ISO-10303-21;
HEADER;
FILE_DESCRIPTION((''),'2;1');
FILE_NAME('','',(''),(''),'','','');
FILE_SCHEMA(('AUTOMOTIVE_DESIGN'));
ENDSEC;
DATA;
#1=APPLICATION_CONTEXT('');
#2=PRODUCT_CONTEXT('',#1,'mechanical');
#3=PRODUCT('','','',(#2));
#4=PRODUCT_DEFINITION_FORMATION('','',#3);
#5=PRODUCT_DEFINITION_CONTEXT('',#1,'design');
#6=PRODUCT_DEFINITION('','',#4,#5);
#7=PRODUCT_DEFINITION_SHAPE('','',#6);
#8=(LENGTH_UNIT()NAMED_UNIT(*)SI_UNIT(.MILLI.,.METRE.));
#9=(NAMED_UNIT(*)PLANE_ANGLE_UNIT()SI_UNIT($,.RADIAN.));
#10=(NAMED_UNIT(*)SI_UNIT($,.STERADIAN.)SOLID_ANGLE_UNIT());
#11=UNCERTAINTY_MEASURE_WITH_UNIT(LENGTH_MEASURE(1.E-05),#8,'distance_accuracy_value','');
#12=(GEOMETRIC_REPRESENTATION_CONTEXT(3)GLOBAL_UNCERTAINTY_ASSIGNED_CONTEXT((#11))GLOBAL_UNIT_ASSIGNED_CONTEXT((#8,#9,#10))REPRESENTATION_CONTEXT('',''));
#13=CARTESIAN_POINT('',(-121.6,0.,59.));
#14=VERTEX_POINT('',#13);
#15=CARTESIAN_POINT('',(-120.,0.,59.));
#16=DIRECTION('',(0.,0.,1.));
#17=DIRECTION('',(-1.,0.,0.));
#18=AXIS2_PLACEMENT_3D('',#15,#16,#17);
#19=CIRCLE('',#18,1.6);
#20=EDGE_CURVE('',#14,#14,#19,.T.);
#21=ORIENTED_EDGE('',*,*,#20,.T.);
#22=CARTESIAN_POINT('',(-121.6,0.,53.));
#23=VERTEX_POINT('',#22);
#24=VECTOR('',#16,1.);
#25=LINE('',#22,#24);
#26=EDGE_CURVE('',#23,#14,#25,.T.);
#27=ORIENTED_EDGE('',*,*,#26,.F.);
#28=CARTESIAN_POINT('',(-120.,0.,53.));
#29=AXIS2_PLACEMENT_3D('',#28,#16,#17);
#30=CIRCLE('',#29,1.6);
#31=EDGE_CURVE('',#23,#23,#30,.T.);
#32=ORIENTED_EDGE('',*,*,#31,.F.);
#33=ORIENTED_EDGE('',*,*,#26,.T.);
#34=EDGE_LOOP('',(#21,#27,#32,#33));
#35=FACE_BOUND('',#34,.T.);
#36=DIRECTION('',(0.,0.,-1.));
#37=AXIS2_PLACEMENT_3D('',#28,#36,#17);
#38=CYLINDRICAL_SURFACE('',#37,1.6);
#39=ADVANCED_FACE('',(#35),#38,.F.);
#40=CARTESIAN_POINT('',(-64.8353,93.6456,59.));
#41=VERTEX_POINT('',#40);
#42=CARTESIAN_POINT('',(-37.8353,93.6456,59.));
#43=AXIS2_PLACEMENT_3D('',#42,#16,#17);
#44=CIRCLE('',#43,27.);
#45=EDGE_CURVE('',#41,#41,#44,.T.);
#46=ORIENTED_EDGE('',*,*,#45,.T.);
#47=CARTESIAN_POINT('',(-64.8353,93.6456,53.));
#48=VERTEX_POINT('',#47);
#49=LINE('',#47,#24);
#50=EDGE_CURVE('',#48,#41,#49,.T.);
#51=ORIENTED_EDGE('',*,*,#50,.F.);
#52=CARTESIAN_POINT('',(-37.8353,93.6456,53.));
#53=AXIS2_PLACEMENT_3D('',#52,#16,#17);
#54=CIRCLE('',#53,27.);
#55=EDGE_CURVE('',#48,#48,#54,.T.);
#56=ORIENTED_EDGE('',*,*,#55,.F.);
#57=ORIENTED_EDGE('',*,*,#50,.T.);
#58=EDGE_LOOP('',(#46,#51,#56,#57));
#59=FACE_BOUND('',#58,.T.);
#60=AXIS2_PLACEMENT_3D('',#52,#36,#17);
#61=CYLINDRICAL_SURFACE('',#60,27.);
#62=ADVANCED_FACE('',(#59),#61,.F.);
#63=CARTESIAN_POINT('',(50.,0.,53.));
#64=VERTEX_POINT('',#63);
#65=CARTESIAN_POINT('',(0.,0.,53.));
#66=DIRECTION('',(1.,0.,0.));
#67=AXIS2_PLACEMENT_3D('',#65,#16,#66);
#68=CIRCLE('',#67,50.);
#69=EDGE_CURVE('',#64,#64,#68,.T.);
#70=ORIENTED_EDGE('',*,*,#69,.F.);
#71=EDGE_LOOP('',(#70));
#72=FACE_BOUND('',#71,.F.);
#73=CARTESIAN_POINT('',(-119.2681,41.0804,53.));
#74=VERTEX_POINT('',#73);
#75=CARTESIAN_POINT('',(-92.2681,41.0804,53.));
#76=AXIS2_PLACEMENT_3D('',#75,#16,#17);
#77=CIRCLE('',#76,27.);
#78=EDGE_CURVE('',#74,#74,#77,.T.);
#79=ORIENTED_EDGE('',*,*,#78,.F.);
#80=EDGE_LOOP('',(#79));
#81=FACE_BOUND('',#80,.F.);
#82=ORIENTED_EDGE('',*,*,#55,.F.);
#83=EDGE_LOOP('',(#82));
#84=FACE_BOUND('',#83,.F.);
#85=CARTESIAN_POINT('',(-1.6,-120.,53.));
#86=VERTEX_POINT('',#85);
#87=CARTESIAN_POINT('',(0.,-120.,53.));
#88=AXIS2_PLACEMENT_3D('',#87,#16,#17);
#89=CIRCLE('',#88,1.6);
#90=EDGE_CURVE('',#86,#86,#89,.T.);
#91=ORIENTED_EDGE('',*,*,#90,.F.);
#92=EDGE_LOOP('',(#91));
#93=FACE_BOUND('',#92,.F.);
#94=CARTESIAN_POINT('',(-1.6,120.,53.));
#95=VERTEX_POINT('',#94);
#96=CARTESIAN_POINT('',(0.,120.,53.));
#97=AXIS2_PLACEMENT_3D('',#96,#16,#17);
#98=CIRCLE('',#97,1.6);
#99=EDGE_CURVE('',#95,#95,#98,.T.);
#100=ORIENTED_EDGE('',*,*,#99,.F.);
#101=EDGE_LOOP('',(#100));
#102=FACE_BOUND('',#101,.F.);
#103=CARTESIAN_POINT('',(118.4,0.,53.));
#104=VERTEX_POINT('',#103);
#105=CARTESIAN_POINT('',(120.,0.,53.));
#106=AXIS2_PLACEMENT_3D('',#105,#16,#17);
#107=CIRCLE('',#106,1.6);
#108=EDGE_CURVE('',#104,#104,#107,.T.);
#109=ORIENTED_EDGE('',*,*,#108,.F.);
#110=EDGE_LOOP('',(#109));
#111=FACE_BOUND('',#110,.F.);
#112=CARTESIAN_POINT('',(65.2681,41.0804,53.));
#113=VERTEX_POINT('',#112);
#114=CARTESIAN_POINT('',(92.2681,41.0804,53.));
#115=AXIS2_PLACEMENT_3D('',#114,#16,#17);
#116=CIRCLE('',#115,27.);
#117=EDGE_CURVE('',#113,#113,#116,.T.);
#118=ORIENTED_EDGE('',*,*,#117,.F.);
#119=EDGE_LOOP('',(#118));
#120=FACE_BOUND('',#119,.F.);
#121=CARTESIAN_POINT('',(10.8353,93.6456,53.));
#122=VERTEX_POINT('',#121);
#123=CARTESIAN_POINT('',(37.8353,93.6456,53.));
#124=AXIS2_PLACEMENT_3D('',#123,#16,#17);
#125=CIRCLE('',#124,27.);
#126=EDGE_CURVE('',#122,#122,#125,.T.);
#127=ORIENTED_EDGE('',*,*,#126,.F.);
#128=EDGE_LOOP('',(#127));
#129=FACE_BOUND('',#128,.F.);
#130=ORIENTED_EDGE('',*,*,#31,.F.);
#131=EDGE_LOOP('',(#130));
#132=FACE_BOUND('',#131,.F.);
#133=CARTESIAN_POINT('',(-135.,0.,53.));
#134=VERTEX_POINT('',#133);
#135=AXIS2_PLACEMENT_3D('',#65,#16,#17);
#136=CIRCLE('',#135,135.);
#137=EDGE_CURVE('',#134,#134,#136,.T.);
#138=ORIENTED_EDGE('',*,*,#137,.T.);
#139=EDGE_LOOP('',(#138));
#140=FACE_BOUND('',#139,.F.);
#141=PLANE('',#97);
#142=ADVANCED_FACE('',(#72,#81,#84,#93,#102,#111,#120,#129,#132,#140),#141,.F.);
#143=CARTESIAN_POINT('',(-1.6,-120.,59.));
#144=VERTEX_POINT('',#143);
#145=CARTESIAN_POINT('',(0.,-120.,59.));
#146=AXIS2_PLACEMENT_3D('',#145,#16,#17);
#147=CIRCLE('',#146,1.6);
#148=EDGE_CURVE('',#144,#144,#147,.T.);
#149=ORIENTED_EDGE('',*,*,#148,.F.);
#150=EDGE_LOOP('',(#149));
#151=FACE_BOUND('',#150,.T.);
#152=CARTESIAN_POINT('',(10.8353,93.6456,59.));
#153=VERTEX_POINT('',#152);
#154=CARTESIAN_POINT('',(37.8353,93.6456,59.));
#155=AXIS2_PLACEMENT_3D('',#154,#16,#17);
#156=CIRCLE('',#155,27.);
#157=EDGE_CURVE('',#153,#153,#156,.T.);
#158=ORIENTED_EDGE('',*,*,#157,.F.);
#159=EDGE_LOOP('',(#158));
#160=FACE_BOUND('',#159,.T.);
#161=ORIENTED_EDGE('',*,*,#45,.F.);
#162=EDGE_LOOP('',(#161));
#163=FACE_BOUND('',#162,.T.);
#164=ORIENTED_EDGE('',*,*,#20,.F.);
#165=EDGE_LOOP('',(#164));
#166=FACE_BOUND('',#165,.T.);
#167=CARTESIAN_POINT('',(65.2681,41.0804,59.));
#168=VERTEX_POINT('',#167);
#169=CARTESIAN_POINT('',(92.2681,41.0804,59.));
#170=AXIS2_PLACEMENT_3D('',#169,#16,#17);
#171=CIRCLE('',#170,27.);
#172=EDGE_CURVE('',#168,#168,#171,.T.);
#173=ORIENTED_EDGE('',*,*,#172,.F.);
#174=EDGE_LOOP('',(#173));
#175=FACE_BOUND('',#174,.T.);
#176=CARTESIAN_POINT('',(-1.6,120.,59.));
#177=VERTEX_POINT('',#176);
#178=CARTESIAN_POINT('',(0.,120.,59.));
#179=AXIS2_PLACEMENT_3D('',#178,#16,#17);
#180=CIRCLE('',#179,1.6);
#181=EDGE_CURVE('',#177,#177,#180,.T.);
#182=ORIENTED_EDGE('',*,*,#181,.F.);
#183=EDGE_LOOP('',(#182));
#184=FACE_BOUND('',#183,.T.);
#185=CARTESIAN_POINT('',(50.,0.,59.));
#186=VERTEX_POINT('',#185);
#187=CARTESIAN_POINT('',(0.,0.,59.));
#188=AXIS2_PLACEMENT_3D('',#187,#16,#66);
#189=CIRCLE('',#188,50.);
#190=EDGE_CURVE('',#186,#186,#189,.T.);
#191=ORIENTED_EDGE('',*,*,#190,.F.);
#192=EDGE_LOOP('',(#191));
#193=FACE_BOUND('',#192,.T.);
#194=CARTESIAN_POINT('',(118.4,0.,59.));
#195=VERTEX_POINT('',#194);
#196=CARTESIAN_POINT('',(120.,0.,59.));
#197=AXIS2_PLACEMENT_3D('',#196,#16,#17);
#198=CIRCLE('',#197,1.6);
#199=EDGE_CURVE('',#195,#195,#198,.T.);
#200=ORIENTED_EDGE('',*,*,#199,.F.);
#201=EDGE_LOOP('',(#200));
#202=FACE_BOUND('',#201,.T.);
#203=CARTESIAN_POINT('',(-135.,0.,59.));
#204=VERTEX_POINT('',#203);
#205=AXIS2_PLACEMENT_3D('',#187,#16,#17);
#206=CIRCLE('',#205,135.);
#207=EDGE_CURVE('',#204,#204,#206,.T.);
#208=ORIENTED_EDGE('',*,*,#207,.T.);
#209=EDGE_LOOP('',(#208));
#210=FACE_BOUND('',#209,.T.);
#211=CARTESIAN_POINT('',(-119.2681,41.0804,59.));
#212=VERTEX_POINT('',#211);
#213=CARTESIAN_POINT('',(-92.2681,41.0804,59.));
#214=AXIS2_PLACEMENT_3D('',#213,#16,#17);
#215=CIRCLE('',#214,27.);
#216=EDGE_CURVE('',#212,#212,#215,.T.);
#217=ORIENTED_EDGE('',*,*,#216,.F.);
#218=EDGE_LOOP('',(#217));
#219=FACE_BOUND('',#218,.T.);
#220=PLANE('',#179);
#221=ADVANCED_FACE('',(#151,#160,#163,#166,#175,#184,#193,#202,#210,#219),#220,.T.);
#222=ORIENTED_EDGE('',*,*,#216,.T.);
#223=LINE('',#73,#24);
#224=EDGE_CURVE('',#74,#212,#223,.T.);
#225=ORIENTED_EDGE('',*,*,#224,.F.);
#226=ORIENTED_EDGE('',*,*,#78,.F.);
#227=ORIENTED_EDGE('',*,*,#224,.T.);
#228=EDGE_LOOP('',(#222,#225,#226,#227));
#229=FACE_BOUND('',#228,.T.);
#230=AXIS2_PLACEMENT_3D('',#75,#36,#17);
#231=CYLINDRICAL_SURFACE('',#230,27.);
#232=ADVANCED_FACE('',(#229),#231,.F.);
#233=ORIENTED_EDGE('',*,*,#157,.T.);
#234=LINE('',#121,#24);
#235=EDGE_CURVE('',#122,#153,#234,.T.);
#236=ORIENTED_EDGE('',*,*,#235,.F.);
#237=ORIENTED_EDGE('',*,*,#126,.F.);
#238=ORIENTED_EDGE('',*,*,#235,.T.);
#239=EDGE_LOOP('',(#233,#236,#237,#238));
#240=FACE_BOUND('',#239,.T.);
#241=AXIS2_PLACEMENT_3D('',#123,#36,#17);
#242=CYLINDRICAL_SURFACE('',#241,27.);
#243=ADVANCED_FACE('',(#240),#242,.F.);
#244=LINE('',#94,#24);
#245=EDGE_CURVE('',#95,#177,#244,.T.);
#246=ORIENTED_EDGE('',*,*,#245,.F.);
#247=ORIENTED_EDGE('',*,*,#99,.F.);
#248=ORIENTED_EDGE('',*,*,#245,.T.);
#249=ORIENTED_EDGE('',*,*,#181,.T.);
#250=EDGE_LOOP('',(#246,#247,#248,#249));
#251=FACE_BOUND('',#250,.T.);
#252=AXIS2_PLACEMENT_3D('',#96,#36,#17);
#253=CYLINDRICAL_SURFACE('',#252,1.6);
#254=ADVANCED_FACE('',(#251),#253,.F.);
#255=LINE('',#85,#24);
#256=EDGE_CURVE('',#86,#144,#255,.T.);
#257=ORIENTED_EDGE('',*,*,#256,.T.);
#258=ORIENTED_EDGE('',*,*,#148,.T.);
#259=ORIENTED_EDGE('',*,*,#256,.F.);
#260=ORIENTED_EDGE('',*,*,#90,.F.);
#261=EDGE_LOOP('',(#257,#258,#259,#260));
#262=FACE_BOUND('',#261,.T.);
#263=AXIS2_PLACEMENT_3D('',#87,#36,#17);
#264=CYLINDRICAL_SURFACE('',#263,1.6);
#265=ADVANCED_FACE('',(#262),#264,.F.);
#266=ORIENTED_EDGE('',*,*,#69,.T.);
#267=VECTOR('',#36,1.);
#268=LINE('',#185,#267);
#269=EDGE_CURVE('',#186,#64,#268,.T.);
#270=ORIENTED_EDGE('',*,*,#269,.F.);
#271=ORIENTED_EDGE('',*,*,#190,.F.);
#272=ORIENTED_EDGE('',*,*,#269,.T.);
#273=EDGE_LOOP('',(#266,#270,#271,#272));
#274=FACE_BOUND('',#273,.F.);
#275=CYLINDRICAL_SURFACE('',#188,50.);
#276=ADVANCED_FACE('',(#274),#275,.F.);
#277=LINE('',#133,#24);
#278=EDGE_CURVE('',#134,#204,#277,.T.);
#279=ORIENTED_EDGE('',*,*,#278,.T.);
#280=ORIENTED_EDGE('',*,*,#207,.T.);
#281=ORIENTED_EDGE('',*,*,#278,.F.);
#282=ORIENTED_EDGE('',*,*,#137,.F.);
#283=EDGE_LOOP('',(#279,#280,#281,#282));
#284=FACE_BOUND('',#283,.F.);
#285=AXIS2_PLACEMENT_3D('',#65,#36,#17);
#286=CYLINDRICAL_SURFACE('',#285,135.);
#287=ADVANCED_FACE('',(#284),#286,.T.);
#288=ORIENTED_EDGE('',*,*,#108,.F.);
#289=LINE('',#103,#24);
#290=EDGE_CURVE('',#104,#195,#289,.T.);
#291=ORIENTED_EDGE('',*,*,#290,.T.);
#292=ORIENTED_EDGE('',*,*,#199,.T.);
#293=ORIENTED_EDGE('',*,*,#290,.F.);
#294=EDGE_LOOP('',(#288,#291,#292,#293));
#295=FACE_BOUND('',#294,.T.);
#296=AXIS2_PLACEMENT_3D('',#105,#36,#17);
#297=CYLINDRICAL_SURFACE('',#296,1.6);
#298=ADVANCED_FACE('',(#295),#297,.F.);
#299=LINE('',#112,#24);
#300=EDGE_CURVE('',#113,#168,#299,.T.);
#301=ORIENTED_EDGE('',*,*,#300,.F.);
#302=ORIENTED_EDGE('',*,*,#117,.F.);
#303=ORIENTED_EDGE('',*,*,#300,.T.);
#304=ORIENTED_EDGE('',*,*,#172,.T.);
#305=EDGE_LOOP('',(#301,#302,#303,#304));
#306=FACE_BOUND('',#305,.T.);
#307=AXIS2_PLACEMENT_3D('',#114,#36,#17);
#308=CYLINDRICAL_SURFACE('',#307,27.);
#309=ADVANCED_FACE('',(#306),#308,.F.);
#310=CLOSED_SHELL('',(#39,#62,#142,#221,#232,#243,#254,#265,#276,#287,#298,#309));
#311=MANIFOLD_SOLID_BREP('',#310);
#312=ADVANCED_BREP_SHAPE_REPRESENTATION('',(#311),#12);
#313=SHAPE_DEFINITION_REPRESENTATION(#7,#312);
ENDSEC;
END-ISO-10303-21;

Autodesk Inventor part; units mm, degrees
ref_plane "YZ Plane" through (0, 0, 0) normal (1, 0, 0) x (0, 1, 0)
ref_plane "XZ Plane" through (0, 0, 0) normal (0, 1, 0) x (-1, 0, 0)
ref_plane "XY Plane" through (0, 0, 0) normal (0, 0, 1) x (1, 0, 0)
ref_plane "РабПлоскость1" through (0, 120, 53) normal (0, 0, 1) x (-1, 0, 0)
sketch "Эскиз1" plane through (0, 120, 53) normal (0, 0, 1) x (-1, 0, 0)
  circle A0 centre (0, 120) radius 135 projected
  circle A1 centre (0, 0) radius 1.6 projected
  circle A2 centre (-120, 120) radius 1.6 projected
  circle A3 centre (120, 120) radius 1.6 projected
  circle A4 centre (0, 240) radius 1.6 projected
  circle A5 centre (0, 120) radius 135 projected
  circle A6 centre (37.8353, 26.3544) radius 27 projected
  circle A7 centre (92.2681, 78.9196) radius 27 projected
  circle A8 centre (-37.8353, 26.3544) radius 27 projected
  circle A9 centre (-92.2681, 78.9196) radius 27 projected
  circle A10 centre (0, 120) radius 50 projected
  circle A11 centre (48.4361, 96.1266) radius 1.7 projected
  circle A12 centre (3.5431, 66.1164) radius 1.7 projected
  circle A13 centre (-44.8931, 89.9898) radius 1.7 projected
  circle A14 centre (-48.4361, 143.8734) radius 1.7 projected
  circle A15 centre (-3.5431, 173.8836) radius 1.7 projected
  circle A16 centre (44.8931, 150.0102) radius 1.7 projected
extrude "Выдавливание1" add sketch "Эскиз1" along normal blind 6 contours A0 | A10 | A11 | A12 | A13 | A14 | A15 | A16
sketch "Эскиз2" plane through (0, 0, 59) normal (0, 0, 1) x (1, 0, 0)
  circle A0 centre (0, 0) radius 50 projected
extrude "Выдавливание2" cut sketch "Эскиз2" against normal through all
properties part number "Диск_фиксирующий" material "По умолчанию1"
